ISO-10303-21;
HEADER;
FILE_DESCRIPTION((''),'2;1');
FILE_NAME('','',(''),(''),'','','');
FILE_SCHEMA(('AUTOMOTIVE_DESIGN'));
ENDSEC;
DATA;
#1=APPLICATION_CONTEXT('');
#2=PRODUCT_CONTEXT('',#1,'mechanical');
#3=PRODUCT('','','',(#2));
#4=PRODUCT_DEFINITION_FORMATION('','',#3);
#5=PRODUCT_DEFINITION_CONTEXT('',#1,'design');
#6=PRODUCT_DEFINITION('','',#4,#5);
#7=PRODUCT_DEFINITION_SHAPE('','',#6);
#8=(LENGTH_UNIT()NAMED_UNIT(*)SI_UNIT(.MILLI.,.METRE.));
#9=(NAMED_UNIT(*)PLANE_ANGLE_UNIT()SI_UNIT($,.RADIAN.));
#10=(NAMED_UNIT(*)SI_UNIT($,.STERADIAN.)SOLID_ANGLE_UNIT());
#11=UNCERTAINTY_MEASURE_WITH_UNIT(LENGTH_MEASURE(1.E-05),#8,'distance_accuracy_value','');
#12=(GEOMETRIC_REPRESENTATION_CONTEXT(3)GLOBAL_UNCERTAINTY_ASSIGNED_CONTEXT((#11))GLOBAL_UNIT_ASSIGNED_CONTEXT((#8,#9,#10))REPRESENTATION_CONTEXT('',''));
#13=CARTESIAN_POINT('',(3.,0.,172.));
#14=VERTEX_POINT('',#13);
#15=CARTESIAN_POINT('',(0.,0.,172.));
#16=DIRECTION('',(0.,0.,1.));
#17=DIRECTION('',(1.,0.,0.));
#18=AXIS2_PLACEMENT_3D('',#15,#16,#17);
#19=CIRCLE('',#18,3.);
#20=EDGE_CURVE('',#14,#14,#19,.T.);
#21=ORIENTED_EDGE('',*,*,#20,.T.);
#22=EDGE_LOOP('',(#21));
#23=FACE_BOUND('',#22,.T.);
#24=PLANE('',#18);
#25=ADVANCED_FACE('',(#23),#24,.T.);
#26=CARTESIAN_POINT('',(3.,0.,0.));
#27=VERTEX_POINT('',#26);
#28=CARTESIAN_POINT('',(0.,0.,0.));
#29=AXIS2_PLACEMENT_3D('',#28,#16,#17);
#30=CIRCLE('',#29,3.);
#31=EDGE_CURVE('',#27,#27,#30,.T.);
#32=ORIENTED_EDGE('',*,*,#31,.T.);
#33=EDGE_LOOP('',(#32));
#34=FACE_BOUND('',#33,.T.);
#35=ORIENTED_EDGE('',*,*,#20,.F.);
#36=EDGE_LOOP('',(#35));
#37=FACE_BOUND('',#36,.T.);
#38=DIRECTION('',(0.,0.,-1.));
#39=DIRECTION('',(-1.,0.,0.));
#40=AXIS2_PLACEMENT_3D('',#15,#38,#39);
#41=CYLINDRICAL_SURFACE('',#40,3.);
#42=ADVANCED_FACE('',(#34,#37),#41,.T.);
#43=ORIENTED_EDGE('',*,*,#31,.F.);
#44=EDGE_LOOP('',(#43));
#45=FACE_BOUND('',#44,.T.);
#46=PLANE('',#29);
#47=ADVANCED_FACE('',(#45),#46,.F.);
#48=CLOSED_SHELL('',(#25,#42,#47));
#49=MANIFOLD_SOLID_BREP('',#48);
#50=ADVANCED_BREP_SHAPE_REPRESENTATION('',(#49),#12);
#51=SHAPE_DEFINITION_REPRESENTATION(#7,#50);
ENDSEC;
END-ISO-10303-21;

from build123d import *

# Parameters (mm, degrees)
ESQUISSE1_R        = 3
BOSS_EXTRU_1_DEPTH = 172


with BuildPart() as part:
    # Esquisse1 → Boss.-Extru.1 (new body)
    with BuildSketch(Plane.XY):
        Circle(ESQUISSE1_R)
    extrude(amount=BOSS_EXTRU_1_DEPTH)


solid = part.part
